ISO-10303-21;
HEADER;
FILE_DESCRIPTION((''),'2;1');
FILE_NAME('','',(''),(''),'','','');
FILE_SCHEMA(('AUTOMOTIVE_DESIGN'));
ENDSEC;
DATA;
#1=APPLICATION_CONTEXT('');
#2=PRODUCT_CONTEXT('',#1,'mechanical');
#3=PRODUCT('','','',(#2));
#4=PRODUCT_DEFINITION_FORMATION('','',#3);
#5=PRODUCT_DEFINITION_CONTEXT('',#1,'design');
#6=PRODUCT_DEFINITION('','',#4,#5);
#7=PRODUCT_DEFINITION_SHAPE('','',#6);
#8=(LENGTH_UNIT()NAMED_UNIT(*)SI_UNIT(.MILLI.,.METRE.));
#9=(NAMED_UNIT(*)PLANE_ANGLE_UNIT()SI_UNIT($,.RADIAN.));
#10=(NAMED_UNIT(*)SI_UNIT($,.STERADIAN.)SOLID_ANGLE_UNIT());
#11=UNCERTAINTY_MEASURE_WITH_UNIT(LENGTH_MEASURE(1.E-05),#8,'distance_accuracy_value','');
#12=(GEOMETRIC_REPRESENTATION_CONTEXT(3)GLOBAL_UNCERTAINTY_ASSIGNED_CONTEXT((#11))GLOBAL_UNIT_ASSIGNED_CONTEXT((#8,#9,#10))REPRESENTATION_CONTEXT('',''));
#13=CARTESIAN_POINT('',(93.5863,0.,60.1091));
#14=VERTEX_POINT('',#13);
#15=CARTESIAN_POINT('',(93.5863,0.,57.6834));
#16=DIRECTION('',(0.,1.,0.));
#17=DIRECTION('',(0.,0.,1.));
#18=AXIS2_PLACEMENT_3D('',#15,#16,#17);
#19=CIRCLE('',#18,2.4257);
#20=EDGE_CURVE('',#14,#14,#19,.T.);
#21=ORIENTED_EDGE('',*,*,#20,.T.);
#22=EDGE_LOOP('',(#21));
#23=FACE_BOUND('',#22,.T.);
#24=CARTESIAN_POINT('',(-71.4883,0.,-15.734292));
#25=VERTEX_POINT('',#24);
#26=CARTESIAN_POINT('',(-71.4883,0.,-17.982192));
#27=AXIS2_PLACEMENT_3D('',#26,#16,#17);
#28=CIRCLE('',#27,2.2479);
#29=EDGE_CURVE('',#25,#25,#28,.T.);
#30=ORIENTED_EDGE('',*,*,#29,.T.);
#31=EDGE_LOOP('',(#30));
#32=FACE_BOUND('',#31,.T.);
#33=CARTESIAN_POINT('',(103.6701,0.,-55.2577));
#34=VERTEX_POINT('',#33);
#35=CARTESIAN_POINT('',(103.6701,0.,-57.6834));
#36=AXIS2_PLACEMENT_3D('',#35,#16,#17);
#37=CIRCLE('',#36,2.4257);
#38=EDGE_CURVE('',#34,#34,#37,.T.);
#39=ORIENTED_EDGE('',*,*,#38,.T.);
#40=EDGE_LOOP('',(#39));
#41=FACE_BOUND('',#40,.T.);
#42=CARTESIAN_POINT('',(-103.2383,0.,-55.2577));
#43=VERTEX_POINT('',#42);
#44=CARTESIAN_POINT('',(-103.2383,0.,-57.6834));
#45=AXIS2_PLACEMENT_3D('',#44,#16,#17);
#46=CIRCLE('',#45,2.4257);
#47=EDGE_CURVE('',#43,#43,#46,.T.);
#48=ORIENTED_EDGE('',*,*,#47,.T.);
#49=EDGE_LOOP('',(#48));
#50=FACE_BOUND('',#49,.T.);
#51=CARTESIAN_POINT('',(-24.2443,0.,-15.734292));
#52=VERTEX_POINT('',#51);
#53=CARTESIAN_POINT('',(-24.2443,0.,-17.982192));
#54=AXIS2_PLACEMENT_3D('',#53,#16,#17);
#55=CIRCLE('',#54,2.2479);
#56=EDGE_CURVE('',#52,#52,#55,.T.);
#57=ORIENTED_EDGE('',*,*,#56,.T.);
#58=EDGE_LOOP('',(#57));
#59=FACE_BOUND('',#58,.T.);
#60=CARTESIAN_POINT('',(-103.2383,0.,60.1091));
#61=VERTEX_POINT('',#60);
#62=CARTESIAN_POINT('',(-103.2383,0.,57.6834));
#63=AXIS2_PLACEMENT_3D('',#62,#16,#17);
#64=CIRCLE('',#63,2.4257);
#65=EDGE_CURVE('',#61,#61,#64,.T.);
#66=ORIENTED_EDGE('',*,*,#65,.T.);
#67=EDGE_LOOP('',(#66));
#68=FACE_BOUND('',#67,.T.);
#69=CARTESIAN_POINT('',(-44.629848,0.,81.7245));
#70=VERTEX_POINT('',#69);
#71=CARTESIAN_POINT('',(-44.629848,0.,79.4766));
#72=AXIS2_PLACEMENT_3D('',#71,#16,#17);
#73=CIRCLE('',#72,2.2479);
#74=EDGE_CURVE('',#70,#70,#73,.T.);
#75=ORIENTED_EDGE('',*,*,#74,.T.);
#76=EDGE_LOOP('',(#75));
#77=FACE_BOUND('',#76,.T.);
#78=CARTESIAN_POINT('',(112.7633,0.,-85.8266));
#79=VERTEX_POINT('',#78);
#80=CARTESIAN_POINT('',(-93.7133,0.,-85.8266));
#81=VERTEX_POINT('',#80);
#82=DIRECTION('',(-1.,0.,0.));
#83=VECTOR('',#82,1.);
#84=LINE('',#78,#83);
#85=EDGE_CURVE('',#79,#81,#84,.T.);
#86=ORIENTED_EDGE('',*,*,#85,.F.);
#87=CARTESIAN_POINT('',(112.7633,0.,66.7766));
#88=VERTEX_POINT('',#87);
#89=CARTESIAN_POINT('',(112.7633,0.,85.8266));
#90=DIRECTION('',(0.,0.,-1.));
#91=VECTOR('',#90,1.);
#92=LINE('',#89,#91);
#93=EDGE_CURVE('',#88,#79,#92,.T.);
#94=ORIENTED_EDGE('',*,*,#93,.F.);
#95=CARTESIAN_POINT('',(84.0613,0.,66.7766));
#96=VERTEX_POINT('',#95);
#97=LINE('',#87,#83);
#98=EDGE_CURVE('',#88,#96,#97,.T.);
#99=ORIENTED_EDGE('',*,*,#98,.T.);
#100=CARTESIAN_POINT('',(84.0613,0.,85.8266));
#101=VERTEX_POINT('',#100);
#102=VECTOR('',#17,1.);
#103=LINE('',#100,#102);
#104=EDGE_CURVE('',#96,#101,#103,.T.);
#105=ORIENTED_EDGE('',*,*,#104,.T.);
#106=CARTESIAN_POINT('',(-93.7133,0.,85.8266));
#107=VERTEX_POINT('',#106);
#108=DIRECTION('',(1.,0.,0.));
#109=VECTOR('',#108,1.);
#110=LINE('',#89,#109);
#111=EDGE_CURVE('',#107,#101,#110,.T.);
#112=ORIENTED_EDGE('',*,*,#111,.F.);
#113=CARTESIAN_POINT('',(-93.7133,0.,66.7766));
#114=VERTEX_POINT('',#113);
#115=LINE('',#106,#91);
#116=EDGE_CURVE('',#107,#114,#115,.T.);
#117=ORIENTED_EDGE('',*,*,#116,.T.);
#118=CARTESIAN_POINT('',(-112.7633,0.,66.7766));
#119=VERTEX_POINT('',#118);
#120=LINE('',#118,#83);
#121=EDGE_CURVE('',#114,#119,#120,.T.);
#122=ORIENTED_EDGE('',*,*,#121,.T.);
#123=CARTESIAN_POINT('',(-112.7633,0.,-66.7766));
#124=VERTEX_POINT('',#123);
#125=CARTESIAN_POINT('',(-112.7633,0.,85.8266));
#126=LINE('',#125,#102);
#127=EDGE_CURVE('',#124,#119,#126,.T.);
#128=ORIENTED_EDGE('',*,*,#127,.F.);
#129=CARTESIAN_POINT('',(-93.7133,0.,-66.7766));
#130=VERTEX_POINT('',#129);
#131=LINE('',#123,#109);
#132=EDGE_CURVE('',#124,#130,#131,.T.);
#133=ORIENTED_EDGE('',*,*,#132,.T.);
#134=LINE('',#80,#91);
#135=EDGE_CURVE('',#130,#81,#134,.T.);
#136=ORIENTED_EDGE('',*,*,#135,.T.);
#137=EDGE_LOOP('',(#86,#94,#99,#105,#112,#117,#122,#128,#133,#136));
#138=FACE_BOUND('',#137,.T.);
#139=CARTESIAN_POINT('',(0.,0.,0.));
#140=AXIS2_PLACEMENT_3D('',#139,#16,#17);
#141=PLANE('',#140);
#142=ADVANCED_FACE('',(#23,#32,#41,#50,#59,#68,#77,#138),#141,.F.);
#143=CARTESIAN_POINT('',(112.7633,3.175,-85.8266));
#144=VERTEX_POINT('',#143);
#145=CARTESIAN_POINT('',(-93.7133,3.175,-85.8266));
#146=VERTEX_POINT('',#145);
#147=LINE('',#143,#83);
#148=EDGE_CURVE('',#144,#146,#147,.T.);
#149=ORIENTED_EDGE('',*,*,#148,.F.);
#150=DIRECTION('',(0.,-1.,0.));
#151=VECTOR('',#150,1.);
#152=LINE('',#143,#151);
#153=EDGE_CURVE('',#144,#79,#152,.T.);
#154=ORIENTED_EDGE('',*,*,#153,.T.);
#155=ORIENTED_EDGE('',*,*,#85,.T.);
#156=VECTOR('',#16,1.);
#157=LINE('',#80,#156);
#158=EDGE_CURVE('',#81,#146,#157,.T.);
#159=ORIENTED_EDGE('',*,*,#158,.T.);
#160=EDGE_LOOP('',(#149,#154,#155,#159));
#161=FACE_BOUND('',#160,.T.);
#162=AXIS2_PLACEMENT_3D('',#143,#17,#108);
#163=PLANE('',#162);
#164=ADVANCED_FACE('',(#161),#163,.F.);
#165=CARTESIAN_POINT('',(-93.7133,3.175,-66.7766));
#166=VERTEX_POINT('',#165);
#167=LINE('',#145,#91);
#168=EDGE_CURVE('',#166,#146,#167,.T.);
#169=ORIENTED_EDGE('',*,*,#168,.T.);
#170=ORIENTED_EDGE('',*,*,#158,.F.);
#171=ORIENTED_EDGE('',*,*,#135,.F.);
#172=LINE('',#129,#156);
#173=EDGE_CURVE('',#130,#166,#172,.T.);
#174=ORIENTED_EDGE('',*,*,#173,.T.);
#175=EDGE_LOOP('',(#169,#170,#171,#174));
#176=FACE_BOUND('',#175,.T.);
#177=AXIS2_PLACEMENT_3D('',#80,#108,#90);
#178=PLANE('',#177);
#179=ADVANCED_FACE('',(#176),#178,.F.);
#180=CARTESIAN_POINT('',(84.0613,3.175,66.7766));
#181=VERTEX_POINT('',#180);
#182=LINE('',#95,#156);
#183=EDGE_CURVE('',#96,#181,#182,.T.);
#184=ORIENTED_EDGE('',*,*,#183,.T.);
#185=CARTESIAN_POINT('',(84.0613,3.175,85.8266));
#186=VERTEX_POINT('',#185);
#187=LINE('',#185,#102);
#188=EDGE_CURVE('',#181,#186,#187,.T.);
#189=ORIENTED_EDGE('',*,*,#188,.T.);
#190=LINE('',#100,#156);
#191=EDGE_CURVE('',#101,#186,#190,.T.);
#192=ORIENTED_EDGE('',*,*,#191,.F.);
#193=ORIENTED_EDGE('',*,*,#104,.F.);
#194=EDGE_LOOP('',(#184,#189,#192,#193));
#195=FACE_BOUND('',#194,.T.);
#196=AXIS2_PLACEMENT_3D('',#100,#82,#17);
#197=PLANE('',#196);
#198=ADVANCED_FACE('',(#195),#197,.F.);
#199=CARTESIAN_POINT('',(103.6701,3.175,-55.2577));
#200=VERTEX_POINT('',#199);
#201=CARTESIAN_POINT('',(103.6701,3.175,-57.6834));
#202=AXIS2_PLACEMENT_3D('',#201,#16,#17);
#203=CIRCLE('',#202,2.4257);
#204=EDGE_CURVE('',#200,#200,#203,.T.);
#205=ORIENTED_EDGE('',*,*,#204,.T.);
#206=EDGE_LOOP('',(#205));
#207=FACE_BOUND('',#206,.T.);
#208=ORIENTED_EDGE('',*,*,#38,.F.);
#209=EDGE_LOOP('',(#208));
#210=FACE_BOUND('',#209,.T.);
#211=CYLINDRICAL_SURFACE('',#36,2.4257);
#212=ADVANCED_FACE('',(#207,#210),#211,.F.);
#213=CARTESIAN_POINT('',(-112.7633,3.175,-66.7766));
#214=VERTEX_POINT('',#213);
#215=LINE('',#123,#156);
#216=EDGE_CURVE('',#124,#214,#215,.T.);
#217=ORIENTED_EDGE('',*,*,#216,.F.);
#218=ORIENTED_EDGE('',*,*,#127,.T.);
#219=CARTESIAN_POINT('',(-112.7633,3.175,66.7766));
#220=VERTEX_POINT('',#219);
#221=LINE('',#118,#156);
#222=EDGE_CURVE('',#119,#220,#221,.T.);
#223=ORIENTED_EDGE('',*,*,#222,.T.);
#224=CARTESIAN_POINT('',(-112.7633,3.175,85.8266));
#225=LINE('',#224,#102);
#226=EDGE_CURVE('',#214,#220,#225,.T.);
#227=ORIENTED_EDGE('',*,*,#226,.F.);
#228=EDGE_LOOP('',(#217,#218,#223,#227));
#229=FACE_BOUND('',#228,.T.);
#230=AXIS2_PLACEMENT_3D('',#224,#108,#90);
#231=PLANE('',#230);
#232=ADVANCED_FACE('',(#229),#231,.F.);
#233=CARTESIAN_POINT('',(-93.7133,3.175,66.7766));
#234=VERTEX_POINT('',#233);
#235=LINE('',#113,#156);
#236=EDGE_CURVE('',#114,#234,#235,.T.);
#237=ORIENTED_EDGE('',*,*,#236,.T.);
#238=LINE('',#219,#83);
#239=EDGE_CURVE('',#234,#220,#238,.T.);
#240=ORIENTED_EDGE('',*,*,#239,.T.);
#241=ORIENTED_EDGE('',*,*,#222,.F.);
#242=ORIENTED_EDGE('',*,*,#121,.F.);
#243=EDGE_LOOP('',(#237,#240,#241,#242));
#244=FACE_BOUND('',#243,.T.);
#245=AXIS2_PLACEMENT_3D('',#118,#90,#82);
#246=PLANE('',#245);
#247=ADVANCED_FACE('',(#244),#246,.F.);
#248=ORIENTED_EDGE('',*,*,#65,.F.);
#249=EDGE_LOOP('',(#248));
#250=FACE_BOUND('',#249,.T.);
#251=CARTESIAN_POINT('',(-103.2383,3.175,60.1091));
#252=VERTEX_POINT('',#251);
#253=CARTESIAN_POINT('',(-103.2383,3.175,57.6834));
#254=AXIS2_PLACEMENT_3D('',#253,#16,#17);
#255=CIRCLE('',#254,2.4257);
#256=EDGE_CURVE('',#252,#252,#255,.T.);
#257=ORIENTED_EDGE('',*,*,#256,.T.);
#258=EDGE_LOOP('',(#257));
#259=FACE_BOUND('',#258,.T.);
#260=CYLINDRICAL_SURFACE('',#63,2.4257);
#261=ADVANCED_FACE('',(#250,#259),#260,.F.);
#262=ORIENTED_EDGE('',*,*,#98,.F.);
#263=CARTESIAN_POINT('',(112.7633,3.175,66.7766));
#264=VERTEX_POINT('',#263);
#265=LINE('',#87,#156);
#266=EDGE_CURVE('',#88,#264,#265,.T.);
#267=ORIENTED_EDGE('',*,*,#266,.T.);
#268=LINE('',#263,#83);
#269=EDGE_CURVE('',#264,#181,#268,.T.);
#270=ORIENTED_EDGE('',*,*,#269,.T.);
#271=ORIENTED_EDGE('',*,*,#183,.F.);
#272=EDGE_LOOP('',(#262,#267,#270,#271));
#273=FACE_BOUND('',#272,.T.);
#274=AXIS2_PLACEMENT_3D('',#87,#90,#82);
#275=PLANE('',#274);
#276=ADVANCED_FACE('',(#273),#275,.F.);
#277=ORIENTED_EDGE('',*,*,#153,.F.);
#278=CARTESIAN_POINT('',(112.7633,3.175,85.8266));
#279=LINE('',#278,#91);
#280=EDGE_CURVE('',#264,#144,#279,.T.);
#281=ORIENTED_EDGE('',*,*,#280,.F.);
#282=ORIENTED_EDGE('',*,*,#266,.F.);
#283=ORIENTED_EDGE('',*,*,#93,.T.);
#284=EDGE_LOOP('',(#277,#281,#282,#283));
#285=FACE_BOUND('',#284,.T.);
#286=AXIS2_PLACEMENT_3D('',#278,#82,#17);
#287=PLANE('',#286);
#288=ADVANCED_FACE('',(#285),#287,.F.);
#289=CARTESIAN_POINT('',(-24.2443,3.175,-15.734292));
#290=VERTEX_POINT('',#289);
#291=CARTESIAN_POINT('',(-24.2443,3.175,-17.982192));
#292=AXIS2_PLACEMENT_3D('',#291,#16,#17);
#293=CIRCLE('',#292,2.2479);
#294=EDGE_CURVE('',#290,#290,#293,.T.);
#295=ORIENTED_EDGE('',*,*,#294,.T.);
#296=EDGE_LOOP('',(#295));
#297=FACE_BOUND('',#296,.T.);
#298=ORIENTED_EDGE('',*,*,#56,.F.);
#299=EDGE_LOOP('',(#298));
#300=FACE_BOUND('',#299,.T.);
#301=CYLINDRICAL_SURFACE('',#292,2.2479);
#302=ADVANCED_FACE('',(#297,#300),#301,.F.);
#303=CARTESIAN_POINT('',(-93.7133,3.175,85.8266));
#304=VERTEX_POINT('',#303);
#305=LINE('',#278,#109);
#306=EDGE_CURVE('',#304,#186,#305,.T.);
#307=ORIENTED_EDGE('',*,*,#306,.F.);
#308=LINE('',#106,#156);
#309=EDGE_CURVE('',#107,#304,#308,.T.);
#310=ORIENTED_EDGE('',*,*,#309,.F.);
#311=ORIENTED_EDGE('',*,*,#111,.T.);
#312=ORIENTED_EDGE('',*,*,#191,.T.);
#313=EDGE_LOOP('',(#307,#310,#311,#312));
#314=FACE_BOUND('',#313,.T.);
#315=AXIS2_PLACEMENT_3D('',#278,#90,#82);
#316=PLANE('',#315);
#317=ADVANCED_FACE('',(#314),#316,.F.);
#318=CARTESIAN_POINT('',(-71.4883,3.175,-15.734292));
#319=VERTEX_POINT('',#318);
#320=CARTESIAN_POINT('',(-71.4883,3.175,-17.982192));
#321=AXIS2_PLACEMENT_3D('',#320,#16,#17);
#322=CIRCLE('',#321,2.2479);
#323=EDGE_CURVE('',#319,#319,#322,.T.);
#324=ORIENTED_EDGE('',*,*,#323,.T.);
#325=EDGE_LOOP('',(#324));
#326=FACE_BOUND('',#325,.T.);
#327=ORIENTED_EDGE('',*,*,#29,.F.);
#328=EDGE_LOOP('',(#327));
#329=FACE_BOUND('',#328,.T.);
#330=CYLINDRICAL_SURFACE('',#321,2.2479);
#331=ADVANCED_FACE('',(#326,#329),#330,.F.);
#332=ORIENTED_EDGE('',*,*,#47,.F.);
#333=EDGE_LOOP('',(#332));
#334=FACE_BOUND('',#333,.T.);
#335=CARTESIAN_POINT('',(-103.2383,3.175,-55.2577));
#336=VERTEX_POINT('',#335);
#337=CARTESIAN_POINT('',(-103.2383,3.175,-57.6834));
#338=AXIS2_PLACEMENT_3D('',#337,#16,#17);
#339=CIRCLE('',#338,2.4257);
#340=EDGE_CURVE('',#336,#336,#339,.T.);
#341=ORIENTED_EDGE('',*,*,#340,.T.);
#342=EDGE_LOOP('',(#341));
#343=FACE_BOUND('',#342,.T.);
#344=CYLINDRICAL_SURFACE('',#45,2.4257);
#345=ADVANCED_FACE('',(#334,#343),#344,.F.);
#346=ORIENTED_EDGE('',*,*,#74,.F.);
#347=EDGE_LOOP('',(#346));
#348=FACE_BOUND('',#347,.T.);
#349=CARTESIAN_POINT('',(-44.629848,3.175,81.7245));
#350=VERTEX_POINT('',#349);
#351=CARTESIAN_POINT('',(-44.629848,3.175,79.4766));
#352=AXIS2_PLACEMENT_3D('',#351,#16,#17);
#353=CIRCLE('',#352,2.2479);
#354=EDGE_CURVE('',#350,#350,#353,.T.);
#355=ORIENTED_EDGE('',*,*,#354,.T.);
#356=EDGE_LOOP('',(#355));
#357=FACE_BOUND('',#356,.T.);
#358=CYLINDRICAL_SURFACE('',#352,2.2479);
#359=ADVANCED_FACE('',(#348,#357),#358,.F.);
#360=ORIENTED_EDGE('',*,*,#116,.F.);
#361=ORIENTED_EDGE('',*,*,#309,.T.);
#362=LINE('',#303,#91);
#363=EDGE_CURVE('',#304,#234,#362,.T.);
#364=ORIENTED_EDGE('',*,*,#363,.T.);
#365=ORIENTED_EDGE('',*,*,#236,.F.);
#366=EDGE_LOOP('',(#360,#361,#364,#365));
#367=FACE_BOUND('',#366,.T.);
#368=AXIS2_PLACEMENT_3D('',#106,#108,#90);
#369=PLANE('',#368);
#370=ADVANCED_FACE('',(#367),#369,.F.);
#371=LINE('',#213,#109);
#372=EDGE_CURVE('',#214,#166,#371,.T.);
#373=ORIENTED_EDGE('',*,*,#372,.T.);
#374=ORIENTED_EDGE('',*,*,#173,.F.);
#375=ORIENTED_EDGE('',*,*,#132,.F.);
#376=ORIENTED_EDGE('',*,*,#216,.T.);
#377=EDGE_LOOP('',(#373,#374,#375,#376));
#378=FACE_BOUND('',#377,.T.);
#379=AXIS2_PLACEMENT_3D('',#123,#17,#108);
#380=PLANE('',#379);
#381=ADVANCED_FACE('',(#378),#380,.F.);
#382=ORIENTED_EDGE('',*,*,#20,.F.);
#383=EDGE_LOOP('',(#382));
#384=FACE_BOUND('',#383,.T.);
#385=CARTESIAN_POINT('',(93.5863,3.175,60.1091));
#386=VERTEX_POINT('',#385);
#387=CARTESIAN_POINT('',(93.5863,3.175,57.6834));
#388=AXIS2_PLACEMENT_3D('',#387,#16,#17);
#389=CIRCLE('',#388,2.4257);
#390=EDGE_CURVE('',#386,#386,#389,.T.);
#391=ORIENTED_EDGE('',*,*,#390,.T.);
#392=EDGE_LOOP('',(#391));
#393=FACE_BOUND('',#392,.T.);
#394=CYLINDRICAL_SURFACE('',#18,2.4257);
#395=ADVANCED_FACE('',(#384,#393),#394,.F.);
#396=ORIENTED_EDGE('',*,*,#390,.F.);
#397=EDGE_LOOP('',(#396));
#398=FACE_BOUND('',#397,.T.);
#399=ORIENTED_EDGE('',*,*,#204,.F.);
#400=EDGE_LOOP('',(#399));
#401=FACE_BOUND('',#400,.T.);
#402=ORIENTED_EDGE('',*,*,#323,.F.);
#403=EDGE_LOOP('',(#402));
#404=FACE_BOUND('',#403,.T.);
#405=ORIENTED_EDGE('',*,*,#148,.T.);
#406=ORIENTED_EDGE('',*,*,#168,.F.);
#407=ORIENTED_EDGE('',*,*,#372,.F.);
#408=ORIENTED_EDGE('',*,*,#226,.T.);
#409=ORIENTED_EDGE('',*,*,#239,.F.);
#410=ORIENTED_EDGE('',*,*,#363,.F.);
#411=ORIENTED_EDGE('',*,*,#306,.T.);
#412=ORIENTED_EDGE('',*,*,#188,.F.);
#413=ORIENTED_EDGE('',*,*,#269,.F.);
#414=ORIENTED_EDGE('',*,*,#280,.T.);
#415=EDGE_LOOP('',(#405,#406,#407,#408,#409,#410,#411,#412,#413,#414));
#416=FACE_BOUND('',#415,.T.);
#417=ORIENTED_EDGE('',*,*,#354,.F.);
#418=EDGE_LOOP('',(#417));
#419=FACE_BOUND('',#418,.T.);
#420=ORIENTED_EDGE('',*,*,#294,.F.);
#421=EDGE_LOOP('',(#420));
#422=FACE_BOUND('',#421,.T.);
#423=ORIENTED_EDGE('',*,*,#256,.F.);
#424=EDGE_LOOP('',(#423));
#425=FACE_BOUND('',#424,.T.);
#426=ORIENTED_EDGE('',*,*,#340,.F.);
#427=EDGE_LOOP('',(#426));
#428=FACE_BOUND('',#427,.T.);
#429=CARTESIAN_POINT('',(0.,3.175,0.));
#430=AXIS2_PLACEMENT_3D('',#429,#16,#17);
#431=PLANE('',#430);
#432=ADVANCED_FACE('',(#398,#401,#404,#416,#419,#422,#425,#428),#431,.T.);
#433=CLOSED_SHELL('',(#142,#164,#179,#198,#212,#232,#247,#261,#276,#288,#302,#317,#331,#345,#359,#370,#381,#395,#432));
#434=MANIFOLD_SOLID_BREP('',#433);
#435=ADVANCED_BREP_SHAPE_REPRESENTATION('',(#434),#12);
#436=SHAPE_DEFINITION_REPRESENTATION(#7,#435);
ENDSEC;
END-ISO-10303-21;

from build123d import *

# Parameters (mm, degrees)
SKETCH1_W             = 225.5266
SKETCH1_H             = 171.6532
BOSS_EXTRUDE1_DEPTH   = 3.175
SKETCH2_W             = 19.05
SKETCH2_H             = 19.05
SKETCH2_W_2           = 28.702
CORNERCUT_DEPTH       = 4.175
SKETCH3_R             = 2.4257
MOUNTHOLES_DEPTH      = 4.175
F_8_CLEARANCE_HOLE1_D = 4.4958


with BuildPart() as part:
    # Sketch1 → Boss-Extrude1 (new body)
    with BuildSketch(Plane(origin=(0, 0, 0), x_dir=(1, 0, 0), z_dir=(0, 1, 0))):
        Rectangle(SKETCH1_W, SKETCH1_H)
    extrude(amount=BOSS_EXTRUDE1_DEPTH)

    # Sketch2 → CornerCut (cut, through all)
    with BuildSketch(Plane(origin=(0, 3.175, 0), x_dir=(1, 0, 0), z_dir=(0, 1, 0))):
        with Locations((-103.2383, 76.3016)):
            Rectangle(SKETCH2_W, SKETCH2_H)
        with Locations((98.4123, -76.3016)):
            Rectangle(SKETCH2_W_2, SKETCH2_H)
        with Locations((-103.2383, -76.3016)):
            Rectangle(SKETCH2_W, SKETCH2_H)
    extrude(amount=-CORNERCUT_DEPTH, mode=Mode.SUBTRACT)

    # Sketch3 → MountHoles (cut, through all)
    with BuildSketch(Plane(origin=(0, 3.175, 0), x_dir=(1, 0, 0), z_dir=(0, 1, 0))):
        with Locations((-103.2383, 57.6834)):
            Circle(SKETCH3_R)
        with Locations((-103.2383, -57.6834)):
            Circle(SKETCH3_R)
        with Locations((93.5863, -57.6834)):
            Circle(SKETCH3_R)
        with Locations((103.6701, 57.6834)):
            Circle(SKETCH3_R)
    extrude(amount=-MOUNTHOLES_DEPTH, mode=Mode.SUBTRACT)

    # #8 Clearance Hole1 (through all)
    with Locations(Plane(origin=(0, 3.175, 0), x_dir=(1, 0, 0), z_dir=(0, 1, 0))):
        with Locations((-44.629848387, -79.4766), (-24.2443, 17.982191502), (-71.4883, 17.982191502)):
            Hole(F_8_CLEARANCE_HOLE1_D / 2)


solid = part.part
